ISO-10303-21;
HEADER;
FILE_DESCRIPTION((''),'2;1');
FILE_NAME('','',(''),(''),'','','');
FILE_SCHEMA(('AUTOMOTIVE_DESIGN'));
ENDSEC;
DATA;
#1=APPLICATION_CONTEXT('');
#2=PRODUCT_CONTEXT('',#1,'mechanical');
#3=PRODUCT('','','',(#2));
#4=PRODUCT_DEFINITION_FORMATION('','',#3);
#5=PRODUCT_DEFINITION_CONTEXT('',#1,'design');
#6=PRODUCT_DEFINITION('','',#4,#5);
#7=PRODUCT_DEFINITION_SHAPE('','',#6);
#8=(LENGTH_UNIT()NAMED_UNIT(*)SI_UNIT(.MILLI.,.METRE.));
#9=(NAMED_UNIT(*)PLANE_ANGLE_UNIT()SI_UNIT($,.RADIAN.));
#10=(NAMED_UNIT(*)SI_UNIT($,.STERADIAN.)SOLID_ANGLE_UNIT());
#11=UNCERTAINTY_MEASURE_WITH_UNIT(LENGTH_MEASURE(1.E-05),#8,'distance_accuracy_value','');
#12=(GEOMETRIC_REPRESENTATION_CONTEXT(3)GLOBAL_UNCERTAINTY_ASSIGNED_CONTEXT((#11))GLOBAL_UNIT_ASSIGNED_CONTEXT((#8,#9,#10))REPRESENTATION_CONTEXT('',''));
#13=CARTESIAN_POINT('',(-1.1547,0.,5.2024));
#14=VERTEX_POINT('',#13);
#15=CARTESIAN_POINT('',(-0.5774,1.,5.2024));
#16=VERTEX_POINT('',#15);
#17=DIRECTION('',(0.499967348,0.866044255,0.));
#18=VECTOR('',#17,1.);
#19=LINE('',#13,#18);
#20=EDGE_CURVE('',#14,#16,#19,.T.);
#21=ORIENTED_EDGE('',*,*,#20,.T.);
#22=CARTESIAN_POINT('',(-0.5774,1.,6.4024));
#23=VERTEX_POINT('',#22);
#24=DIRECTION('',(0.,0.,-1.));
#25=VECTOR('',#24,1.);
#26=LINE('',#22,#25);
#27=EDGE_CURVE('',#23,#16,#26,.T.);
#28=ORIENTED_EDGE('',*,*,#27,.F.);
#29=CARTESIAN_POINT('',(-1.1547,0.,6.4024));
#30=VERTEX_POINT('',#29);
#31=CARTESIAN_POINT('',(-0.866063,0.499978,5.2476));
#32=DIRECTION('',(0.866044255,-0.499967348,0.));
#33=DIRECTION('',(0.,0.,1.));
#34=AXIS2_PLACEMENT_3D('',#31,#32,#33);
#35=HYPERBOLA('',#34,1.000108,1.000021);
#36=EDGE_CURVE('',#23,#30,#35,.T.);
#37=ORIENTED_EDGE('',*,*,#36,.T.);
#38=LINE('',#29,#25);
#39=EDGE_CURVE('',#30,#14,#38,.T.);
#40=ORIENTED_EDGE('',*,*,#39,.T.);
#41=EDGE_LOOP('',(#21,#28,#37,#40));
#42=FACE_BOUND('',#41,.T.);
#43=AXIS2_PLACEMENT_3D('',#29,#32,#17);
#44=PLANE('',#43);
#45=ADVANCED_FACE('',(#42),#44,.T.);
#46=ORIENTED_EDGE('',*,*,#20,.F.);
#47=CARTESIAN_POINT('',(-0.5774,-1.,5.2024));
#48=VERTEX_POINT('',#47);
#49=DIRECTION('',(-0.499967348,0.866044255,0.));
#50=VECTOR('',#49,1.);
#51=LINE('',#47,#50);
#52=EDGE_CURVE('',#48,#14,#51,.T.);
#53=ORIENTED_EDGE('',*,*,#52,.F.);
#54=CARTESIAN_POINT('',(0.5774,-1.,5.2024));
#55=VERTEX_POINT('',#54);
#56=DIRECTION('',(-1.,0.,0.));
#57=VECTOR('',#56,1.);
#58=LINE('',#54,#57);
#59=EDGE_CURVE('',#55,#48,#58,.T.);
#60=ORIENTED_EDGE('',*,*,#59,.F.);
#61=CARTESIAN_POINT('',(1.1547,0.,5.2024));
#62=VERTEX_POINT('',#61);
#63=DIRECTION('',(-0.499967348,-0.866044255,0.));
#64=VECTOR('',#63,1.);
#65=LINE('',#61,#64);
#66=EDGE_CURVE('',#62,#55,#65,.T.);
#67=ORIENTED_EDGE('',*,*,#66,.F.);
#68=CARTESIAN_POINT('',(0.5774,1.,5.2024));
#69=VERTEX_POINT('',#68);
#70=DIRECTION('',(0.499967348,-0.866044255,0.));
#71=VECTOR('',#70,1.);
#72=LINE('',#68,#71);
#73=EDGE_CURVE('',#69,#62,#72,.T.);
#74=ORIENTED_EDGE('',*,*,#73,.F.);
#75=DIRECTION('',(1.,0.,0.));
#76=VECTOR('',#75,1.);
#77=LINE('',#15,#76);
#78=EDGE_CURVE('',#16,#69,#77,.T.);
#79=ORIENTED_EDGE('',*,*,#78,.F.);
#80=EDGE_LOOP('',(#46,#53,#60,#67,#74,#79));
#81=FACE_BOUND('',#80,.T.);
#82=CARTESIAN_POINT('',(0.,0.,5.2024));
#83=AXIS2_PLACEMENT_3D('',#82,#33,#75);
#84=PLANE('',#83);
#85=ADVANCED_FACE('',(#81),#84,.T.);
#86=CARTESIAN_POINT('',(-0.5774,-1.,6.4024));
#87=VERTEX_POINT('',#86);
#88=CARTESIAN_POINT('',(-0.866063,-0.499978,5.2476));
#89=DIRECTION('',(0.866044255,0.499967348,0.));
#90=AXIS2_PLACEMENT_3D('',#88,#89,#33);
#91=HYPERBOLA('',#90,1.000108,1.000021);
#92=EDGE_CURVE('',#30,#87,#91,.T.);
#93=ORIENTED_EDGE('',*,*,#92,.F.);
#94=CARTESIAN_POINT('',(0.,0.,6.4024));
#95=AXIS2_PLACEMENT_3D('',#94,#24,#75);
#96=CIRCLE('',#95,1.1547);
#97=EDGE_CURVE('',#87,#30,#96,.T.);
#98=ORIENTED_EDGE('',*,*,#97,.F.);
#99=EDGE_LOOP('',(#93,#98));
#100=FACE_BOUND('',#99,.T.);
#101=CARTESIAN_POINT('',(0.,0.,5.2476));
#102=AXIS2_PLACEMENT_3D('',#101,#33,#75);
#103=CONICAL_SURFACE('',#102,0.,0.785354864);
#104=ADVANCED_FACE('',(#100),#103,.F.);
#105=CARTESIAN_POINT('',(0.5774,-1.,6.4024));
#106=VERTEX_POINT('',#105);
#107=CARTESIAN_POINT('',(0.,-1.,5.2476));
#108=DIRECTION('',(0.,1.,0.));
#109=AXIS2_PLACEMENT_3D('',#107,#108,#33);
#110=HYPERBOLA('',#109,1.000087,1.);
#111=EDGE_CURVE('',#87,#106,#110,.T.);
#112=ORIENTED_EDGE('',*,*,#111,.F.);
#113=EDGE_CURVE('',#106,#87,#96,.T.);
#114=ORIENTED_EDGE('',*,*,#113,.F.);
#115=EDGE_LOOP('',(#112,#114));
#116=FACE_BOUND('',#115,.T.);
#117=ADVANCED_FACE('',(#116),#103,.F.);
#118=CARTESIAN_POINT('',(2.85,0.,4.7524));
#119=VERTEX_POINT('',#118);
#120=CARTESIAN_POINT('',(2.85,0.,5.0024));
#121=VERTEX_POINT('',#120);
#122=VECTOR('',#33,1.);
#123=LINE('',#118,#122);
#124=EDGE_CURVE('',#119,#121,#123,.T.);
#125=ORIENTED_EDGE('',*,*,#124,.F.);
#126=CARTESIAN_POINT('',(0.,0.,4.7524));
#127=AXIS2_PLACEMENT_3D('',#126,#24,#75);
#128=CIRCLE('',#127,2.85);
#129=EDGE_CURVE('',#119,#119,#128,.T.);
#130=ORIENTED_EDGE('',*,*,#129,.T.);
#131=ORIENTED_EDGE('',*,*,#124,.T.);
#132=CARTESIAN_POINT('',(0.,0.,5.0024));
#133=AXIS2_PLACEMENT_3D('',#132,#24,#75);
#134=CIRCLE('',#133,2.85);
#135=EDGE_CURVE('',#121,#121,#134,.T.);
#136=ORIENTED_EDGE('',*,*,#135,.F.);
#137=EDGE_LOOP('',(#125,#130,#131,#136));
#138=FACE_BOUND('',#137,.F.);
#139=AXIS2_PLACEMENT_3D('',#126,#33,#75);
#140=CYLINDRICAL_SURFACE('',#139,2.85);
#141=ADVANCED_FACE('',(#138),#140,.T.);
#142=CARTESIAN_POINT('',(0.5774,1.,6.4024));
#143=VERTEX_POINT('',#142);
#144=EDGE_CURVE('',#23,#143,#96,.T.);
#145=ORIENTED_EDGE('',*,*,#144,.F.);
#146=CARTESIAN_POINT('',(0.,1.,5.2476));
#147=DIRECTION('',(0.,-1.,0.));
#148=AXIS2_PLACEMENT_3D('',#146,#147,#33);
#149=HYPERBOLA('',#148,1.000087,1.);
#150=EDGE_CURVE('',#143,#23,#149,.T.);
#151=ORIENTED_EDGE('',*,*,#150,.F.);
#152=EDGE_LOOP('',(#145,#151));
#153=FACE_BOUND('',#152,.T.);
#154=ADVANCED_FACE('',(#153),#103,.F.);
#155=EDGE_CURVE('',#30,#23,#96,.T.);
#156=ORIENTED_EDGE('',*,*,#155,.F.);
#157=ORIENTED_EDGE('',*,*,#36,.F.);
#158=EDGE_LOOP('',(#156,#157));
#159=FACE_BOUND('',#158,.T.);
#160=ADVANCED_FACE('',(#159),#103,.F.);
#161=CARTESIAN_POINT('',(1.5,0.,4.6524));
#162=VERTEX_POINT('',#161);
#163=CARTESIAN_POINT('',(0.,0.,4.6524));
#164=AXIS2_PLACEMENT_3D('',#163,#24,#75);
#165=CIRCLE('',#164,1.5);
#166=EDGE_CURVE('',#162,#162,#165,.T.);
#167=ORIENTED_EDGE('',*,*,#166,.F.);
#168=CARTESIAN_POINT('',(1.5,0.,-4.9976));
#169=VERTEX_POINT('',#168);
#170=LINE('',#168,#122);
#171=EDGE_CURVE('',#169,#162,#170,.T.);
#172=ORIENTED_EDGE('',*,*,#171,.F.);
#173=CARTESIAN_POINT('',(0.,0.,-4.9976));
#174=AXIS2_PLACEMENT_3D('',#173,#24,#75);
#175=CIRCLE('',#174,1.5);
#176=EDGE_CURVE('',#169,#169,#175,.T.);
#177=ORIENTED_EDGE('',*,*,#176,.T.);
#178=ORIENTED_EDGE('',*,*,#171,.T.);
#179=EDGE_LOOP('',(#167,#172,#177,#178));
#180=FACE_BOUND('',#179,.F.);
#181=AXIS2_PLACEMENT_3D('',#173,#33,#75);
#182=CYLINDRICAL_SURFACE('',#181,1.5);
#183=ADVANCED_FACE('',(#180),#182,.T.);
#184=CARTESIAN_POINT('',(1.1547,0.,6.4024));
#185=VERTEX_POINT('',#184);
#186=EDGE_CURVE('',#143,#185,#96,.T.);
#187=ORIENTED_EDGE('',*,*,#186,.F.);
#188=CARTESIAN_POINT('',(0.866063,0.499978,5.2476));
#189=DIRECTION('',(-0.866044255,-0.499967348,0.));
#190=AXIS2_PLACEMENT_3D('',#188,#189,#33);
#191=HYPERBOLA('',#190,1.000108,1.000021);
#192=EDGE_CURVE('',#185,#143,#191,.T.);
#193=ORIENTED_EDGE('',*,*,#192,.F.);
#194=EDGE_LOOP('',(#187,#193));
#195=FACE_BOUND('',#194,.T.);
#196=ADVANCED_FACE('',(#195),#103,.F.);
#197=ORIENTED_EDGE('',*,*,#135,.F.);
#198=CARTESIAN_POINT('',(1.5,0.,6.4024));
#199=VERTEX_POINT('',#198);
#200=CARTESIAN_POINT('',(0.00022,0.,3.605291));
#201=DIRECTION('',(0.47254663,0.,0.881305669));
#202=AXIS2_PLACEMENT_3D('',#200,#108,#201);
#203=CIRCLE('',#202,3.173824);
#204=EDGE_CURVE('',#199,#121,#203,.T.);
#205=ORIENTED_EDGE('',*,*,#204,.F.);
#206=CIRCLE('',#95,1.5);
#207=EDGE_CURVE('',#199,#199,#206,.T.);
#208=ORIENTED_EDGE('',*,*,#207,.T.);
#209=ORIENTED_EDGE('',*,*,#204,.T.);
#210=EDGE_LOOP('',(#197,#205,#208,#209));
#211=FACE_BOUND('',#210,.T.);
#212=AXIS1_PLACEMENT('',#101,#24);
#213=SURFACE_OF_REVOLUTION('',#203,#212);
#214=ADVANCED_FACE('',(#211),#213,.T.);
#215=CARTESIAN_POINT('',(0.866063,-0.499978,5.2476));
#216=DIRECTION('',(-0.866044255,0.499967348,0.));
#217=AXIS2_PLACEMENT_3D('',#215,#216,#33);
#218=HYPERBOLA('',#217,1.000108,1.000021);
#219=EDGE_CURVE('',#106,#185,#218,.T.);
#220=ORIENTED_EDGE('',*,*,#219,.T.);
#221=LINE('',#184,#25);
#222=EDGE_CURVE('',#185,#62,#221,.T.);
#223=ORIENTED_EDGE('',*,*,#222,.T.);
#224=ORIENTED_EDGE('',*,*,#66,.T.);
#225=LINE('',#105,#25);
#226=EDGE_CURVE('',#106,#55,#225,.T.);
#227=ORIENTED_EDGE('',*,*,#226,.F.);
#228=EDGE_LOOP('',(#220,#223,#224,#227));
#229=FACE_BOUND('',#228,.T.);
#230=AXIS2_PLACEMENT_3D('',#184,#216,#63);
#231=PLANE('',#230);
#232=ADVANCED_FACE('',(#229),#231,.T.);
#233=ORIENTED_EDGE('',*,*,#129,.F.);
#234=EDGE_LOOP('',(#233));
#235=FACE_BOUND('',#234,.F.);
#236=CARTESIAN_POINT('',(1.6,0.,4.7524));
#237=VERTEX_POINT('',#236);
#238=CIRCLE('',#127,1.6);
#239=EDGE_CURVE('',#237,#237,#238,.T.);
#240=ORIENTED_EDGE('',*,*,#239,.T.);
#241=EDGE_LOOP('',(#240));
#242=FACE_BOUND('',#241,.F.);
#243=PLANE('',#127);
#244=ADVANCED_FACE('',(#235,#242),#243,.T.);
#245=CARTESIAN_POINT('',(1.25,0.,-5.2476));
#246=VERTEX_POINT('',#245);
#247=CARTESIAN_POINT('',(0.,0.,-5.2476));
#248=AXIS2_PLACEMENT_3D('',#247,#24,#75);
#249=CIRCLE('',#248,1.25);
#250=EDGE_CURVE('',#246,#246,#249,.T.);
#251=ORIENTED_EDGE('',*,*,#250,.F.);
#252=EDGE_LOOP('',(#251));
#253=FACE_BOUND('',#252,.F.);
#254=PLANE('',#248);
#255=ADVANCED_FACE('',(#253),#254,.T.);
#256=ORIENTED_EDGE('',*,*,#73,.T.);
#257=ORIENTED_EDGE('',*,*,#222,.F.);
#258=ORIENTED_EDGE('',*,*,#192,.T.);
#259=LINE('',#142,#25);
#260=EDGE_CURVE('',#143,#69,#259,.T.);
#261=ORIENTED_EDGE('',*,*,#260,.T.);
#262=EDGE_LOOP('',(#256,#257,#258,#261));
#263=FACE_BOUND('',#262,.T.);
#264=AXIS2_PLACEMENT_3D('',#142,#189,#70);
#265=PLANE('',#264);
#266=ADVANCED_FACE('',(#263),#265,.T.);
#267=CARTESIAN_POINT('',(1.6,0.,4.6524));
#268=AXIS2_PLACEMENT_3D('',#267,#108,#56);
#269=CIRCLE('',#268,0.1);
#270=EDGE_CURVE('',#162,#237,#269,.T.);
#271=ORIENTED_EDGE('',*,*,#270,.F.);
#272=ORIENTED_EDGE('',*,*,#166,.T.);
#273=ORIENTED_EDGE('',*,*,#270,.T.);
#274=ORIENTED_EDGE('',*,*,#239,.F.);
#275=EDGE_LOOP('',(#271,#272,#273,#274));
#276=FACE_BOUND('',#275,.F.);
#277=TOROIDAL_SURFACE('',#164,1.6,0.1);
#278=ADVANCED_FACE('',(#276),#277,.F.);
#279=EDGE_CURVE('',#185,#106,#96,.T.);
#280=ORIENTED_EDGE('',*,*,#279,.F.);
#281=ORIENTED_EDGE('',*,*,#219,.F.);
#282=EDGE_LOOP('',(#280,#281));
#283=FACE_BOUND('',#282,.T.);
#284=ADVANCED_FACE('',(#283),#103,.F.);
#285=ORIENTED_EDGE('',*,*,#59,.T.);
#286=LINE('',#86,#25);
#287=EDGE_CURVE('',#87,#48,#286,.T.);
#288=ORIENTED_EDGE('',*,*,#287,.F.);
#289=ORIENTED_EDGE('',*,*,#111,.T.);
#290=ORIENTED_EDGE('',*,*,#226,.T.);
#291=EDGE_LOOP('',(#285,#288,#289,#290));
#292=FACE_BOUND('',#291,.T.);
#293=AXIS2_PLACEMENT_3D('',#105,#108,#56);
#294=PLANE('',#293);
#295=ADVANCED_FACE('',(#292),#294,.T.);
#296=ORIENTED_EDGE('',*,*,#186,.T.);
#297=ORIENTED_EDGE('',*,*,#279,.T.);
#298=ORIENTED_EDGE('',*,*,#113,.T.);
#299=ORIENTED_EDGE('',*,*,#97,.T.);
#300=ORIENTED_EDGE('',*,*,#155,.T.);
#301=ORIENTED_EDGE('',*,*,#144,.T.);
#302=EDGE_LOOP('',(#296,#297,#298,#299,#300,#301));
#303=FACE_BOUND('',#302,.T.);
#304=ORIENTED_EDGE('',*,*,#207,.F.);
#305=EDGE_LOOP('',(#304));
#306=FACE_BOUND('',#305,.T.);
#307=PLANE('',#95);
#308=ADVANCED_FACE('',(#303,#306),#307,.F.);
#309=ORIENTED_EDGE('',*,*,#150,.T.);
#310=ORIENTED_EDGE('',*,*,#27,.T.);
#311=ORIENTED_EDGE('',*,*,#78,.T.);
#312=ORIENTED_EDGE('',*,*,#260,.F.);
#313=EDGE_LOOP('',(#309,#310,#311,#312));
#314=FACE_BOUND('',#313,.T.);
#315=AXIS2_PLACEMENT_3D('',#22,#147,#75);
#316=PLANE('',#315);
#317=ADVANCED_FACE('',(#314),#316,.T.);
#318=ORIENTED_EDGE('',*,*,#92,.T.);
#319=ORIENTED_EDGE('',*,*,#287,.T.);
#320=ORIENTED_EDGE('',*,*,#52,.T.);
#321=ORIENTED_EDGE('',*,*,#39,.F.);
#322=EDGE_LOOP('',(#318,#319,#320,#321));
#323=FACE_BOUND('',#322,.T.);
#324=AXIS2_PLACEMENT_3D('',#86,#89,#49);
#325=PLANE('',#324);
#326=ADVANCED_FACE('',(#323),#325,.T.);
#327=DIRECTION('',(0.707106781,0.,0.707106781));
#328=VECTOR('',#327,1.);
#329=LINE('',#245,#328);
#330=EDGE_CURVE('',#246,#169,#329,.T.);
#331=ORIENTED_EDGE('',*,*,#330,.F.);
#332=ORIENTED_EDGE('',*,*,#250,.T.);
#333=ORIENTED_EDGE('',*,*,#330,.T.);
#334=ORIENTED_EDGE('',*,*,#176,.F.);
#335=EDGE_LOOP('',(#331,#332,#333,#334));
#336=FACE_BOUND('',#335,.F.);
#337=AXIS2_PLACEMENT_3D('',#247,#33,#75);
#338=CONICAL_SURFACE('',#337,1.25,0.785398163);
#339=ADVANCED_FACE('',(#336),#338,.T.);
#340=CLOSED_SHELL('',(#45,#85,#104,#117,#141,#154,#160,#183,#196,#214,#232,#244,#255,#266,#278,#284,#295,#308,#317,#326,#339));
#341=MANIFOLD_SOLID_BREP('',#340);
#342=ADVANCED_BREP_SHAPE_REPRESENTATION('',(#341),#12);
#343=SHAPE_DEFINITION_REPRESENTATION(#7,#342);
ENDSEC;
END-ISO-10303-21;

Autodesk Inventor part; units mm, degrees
ref_plane "YZ Plane" through (0, 0, 0) normal (1, 0, 0) x (0, 1, 0)
ref_plane "XZ Plane" through (0, 0, 0) normal (0, 1, 0) x (-1, 0, 0)
ref_plane "XY Plane" through (0, 0, 0) normal (0, 0, 1) x (1, 0, 0)
sketch "Sketch1" plane through (0, 0, 0) normal (0, 1, 0) x (-1, 0, 0)
  line L0 (0, 5.2476) -> (0, -5.2476)
  line L1 (0, -5.2476) -> (-1.25, -5.2476)
  line L2 (-1.25, -5.2476) -> (-1.5, -4.9976)
  line L3 (-1.5, -4.9976) -> (-1.5, 4.6524)
  line L4 (-1.6, 4.7524) -> (-2.85, 4.7524)
  line L5 (-2.85, 4.7524) -> (-2.85, 5.0024)
  line L6 (0, 5.2476) -> (-1.1547, 6.4024)
  line L7 (-1.1547, 6.4024) -> (-1.5, 6.4024)
  arc A0 (-1.5, 6.4024) -> (-2.85, 5.0024) centre (0, 3.605) ccw
  line L8 (-1.1547, 6.4024) -> (-0.5774, 7.4024) construction
  line L9 (-0.5774, 7.4024) -> (0.5774, 7.4024) construction
  line L10 (0.5774, 7.4024) -> (1.1547, 6.4024) construction
  line L11 (1.1547, 6.4024) -> (0.5774, 5.4024) construction
  line L12 (0.5774, 5.4024) -> (-0.5774, 5.4024) construction
  line L13 (-0.5774, 5.4024) -> (-1.1547, 6.4024) construction
  arc A1 (-1.5, 4.6524) -> (-1.6, 4.7524) centre (-1.6, 4.6524) ccw
  point P0 (0, 0)
  point P1 (-1.5, 4.7524)
  point P2 (0, 0)
  point P3 (0, 6.4024)
  dimension "d0" = 3
  dimension "d1" = 10
  dimension "d2" = 0.25
  dimension "d3" = 135
  dimension "d4" = 5.7
  dimension "d5" = 3
  dimension "d6" = 1.65
  dimension "d7" = 2
  dimension "d8" = 0.25
  dimension "d15" = 3.2
revolve "Revolution1" add sketch "Sketch1" angle 360 about axis through (0, 0, 5.2476) along (0, 0, -1)
sketch "Sketch2" plane through (0, 0, 6.4024) normal (0, 0, 1) x (1, 0, 0)
  circle A0 centre (0, 0) radius 1.1547 projected
  circle A1 centre (0, 0) radius 1.5 projected
  line L0 (-1.1547, 0) -> (-0.5774, 1)
  line L1 (-0.5774, 1) -> (0.5774, 1)
  line L2 (0.5774, 1) -> (1.1547, 0)
  line L3 (1.1547, 0) -> (0.5774, -1)
  line L4 (0.5774, -1) -> (-0.5774, -1)
  line L5 (-0.5774, -1) -> (-1.1547, 0)
  point P0 (0, 0)
extrude "Extrusion1" cut sketch "Sketch2" against normal blind 1.2 contours L3 L4 L5 L0 L1 L2
thread "Thread1" size "M3x0.5" class "6g" standard "ANSI Metric M Profile" full length
properties part number "48-03A0" material "Stainless Steel"
